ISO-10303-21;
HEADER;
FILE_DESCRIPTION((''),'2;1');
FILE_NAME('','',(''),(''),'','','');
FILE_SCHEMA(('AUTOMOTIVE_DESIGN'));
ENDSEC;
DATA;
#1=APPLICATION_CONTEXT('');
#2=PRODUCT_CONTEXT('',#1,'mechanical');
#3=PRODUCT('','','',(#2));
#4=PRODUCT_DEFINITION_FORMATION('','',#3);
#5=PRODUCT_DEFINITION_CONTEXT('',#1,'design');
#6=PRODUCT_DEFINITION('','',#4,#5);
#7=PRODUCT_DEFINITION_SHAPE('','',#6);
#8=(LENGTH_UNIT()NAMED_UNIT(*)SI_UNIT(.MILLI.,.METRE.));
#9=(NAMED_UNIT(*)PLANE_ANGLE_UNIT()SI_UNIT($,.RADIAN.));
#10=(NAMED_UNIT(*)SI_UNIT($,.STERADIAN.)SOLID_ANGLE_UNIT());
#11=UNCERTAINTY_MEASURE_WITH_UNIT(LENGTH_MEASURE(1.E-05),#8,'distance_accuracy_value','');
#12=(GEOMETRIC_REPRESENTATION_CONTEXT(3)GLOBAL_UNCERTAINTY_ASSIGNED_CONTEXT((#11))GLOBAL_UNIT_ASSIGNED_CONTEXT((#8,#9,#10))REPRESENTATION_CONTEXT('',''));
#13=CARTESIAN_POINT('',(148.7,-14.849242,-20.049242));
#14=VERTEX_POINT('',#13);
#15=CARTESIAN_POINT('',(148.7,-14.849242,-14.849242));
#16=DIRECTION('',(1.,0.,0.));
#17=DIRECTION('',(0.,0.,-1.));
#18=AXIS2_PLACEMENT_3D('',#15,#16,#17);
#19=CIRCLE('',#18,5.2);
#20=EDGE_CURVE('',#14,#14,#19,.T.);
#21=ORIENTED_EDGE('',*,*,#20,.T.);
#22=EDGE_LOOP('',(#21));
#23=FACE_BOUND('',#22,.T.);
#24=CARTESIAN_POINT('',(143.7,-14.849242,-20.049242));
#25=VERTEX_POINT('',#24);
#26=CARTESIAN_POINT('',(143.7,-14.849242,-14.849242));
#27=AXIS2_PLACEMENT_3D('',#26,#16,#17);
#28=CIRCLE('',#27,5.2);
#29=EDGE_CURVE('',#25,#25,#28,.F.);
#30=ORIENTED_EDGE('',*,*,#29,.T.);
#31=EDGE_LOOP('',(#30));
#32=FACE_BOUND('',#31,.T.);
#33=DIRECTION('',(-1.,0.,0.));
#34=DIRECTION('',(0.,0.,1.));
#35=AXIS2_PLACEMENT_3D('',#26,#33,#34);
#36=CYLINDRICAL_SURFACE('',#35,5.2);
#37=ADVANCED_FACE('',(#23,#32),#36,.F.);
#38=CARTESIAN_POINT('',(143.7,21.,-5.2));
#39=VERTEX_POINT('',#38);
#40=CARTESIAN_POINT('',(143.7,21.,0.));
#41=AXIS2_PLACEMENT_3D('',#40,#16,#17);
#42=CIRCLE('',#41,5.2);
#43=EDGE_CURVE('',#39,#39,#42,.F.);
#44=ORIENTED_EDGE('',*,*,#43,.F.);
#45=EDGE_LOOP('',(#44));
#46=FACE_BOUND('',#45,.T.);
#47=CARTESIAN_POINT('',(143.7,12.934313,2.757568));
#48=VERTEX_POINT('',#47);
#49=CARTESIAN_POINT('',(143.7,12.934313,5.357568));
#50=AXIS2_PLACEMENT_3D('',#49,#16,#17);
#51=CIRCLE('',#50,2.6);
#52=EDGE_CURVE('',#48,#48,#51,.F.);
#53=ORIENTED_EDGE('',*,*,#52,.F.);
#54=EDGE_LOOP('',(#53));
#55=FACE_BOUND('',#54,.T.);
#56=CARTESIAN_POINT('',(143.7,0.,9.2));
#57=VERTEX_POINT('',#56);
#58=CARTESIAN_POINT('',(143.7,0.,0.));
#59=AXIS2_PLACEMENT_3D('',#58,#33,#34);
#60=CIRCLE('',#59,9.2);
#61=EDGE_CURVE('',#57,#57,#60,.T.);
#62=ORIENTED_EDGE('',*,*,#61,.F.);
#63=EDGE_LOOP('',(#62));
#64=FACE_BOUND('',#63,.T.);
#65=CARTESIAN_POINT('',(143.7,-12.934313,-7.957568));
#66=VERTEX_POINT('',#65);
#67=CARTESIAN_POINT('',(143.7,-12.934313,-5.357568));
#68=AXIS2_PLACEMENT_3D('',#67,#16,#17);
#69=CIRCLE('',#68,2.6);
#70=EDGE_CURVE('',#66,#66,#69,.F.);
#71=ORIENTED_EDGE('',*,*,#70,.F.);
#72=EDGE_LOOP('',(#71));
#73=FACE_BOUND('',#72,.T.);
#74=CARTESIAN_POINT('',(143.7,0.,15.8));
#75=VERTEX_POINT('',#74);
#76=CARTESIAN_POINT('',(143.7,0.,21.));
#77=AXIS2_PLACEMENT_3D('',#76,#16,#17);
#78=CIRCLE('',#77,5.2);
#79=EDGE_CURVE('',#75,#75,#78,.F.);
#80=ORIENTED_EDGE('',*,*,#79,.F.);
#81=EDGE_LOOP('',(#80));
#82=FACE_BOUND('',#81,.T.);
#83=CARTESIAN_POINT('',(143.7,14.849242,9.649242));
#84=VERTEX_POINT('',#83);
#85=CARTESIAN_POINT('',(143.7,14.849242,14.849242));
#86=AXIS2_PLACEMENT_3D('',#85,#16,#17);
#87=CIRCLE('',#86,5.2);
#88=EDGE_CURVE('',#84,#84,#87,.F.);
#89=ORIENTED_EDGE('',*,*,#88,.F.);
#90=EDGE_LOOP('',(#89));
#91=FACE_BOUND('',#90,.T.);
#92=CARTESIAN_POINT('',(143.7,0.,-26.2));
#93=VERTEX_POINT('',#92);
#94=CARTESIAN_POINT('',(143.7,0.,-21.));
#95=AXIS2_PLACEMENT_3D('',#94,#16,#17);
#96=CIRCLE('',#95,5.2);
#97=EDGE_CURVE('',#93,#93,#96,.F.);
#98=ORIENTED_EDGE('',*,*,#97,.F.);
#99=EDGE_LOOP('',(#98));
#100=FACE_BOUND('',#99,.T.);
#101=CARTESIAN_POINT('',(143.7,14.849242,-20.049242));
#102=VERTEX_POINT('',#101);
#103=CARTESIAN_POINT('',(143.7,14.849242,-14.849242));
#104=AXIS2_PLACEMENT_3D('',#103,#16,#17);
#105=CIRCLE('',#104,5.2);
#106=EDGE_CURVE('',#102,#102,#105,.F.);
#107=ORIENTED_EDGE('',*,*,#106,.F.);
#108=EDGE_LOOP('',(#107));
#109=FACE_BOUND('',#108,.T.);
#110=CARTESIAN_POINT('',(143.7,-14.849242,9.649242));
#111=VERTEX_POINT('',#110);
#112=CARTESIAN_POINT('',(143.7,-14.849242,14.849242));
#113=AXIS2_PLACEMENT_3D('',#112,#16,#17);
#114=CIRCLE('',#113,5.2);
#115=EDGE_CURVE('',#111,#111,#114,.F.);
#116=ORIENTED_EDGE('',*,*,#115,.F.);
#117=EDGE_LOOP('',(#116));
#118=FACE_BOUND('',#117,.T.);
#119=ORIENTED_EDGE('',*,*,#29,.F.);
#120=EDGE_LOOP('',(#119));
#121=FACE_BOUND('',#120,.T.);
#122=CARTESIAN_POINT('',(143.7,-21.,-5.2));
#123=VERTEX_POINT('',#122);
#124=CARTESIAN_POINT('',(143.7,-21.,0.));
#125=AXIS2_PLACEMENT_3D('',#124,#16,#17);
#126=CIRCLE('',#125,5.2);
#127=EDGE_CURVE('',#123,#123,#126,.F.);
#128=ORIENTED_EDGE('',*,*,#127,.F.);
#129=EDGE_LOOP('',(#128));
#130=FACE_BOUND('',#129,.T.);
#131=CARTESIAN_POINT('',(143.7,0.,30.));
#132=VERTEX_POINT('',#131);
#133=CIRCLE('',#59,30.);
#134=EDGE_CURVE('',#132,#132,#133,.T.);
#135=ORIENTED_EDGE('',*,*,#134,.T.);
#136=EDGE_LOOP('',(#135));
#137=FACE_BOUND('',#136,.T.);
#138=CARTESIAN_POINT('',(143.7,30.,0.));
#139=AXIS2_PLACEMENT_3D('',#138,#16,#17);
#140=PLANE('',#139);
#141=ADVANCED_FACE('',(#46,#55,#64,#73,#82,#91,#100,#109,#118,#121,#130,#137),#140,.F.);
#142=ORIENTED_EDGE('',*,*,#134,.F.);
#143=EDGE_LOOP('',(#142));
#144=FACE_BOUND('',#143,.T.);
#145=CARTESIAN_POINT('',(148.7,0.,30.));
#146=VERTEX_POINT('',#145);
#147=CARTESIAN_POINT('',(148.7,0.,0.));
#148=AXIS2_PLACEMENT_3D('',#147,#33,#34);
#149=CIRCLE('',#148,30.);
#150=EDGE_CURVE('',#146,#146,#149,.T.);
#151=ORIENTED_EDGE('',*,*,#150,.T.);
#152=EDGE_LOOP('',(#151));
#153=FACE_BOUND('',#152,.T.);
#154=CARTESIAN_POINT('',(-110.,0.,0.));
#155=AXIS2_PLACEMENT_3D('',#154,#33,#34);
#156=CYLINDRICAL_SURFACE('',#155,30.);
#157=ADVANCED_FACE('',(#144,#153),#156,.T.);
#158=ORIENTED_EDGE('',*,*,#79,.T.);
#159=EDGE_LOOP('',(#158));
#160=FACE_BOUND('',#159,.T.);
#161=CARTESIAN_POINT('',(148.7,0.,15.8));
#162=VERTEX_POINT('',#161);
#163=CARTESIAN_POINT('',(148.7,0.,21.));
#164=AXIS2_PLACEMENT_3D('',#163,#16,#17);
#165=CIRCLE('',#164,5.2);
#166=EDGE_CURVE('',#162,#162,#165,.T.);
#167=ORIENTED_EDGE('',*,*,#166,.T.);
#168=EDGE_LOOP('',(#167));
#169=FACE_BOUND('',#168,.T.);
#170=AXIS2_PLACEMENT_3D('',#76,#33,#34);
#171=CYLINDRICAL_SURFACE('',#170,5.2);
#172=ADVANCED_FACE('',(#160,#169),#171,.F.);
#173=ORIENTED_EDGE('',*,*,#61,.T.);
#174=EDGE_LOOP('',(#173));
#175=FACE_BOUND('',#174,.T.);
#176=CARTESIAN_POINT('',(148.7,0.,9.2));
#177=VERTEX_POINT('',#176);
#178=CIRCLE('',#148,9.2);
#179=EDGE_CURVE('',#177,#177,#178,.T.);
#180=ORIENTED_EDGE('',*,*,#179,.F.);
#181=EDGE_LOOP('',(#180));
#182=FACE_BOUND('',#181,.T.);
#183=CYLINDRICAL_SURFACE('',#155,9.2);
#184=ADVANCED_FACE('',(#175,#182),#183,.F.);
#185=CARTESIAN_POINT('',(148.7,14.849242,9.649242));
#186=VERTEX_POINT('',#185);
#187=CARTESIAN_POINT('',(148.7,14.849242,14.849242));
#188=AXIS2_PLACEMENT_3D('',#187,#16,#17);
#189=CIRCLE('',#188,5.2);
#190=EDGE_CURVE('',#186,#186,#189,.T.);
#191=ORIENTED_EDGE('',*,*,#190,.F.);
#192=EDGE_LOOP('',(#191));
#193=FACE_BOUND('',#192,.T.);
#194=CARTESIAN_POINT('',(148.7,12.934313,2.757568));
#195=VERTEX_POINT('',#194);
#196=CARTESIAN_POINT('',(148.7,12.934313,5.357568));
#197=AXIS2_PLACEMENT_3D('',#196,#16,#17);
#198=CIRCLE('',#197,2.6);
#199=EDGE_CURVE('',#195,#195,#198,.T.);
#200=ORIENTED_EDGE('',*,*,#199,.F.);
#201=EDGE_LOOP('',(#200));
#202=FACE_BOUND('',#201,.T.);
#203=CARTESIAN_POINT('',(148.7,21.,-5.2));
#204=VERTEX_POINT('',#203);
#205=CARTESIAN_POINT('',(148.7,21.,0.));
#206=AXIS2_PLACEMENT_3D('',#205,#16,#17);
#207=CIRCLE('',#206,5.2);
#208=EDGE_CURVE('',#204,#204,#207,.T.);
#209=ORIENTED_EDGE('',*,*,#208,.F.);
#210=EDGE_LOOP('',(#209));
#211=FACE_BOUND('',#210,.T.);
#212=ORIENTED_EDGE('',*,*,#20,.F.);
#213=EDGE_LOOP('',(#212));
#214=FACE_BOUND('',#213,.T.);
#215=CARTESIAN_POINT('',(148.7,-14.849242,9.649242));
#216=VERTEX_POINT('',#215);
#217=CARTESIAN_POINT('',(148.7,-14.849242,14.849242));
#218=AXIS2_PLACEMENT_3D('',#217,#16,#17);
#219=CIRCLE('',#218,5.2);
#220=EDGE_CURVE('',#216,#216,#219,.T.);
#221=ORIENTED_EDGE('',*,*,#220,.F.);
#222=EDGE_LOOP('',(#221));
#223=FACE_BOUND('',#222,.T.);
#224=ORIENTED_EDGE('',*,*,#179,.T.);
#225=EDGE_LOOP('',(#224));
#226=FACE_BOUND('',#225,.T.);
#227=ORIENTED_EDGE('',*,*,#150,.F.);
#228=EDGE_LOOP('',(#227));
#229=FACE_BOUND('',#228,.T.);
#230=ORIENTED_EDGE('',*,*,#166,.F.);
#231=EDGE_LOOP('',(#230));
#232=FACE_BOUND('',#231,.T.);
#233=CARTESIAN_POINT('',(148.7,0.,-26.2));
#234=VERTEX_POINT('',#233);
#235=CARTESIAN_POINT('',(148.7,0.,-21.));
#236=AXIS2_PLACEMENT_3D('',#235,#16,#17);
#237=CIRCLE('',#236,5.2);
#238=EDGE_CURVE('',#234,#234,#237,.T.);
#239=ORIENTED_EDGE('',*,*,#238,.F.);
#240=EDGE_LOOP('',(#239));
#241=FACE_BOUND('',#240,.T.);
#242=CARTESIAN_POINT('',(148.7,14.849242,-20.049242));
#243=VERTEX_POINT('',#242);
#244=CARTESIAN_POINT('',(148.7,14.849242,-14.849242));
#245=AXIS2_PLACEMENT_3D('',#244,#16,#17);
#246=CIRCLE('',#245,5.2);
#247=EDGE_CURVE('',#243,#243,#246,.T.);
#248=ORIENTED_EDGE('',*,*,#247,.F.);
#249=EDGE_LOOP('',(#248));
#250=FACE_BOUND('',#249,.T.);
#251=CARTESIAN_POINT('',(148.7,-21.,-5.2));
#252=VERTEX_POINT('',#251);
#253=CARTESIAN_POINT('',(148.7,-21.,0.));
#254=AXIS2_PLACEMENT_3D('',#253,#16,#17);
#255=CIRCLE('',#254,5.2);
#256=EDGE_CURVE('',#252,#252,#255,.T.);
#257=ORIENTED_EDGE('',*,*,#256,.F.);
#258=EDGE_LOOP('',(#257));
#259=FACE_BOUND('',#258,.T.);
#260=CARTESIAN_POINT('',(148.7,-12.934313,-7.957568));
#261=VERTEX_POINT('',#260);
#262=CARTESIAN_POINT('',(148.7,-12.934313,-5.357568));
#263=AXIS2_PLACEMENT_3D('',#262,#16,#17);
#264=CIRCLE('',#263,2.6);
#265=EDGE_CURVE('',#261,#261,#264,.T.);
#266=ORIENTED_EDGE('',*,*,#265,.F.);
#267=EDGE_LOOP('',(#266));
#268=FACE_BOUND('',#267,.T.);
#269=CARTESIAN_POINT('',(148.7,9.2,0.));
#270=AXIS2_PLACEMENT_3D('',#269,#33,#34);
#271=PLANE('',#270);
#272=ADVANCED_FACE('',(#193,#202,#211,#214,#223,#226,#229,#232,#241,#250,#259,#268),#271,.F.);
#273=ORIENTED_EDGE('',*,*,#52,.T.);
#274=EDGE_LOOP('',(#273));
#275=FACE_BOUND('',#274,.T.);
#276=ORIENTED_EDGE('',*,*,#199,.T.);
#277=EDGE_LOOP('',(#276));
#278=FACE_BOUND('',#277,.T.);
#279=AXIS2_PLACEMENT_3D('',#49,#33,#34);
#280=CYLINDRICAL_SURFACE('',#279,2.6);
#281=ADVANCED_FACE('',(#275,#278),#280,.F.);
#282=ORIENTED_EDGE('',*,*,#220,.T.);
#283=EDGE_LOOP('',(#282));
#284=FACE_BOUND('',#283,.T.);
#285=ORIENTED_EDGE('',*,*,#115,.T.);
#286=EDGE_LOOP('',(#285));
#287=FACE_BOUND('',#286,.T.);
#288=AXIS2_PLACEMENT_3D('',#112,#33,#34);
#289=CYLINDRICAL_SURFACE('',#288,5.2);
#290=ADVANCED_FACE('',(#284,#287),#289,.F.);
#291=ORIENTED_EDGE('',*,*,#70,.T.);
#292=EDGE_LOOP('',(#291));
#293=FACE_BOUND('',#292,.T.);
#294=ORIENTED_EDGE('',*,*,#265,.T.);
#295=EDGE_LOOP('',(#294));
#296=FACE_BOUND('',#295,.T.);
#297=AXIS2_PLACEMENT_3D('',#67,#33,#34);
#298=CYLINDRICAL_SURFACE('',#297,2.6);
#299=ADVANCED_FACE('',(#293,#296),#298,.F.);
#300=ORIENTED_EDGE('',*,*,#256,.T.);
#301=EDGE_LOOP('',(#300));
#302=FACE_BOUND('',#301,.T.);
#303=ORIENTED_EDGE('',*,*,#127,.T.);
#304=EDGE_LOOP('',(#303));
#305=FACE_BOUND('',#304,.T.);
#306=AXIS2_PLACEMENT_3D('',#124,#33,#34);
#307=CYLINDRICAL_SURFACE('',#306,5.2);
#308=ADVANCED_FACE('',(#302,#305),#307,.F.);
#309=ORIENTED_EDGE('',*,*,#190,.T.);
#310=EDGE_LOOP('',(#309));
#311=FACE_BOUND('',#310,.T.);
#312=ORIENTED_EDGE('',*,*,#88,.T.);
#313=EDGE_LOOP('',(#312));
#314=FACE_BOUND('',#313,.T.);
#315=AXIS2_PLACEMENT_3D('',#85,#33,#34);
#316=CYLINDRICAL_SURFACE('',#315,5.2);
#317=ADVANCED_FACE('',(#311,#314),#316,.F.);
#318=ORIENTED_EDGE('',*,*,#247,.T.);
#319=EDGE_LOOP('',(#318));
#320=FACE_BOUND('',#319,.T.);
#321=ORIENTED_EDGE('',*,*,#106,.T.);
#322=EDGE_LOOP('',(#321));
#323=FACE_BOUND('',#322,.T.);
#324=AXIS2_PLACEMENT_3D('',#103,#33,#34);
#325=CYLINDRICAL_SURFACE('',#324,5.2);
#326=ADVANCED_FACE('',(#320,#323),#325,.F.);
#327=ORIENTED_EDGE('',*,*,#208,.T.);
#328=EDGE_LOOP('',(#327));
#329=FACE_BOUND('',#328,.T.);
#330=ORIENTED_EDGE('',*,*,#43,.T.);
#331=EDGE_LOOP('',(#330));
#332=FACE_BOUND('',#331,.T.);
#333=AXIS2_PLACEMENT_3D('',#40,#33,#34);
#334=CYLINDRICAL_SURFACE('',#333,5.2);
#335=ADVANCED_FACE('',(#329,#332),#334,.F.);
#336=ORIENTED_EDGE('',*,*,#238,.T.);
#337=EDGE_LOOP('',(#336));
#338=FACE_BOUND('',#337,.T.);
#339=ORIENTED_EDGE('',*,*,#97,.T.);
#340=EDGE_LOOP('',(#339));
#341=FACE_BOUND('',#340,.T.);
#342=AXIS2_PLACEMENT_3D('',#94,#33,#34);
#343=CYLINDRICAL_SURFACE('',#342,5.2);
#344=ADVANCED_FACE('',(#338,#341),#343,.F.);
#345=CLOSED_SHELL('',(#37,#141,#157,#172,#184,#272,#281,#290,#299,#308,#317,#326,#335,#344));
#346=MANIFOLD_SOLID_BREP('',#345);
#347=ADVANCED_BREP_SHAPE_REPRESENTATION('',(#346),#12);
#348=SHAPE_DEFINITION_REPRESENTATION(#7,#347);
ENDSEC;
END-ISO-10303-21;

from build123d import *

# Parameters (mm, degrees)
AXIAL_PROFILE_MM_W     = 5
AXIAL_PROFILE_MM_H     = 20.8
AXIAL_HOLES_DEPTH      = 155.634051877
AXIAL_HOLES_DEPTH_BACK = 155.634051877
SKETCH2_R              = 5.2
SKETCH2_R_2            = 2.6


with BuildPart() as part:
    # Axial profile (mm) → Full revolution (revolve)
    with BuildSketch(Plane.XY, mode=Mode.PRIVATE) as full_revolution_sk:
        with Locations((146.2, 19.6)):
            Rectangle(AXIAL_PROFILE_MM_W, AXIAL_PROFILE_MM_H)
    revolve(full_revolution_sk.sketch.rotate(Axis((-110, 0, 0), (1, 0, 0)), 90), axis=Axis((-110, 0, 0), (1, 0, 0)))

    # Sketch2 → Axial holes (cut, two sides: drawn at the far end of the back side and taken through both)
    with BuildSketch(Plane(origin=(0, 0, 0), x_dir=(0, 0, -1), z_dir=(1, 0, 0)).offset(-AXIAL_HOLES_DEPTH_BACK)):
        with Locations((0, 21)):
            Circle(SKETCH2_R)
        with Locations((-14.849242405, 14.849242405)):
            Circle(SKETCH2_R)
        with Locations((-21, 0)):
            Circle(SKETCH2_R)
        with Locations((-14.849242405, -14.849242405)):
            Circle(SKETCH2_R)
        with Locations((0, -21)):
            Circle(SKETCH2_R)
        with Locations((14.849242405, -14.849242405)):
            Circle(SKETCH2_R)
        with Locations((21, 0)):
            Circle(SKETCH2_R)
        with Locations((14.849242405, 14.849242405)):
            Circle(SKETCH2_R)
        with Locations((-5.357568053, 12.934313455)):
            Circle(SKETCH2_R_2)
        with Locations((5.357568053, -12.934313455)):
            Circle(SKETCH2_R_2)
    extrude(amount=AXIAL_HOLES_DEPTH + AXIAL_HOLES_DEPTH_BACK, mode=Mode.SUBTRACT)


solid = part.part
